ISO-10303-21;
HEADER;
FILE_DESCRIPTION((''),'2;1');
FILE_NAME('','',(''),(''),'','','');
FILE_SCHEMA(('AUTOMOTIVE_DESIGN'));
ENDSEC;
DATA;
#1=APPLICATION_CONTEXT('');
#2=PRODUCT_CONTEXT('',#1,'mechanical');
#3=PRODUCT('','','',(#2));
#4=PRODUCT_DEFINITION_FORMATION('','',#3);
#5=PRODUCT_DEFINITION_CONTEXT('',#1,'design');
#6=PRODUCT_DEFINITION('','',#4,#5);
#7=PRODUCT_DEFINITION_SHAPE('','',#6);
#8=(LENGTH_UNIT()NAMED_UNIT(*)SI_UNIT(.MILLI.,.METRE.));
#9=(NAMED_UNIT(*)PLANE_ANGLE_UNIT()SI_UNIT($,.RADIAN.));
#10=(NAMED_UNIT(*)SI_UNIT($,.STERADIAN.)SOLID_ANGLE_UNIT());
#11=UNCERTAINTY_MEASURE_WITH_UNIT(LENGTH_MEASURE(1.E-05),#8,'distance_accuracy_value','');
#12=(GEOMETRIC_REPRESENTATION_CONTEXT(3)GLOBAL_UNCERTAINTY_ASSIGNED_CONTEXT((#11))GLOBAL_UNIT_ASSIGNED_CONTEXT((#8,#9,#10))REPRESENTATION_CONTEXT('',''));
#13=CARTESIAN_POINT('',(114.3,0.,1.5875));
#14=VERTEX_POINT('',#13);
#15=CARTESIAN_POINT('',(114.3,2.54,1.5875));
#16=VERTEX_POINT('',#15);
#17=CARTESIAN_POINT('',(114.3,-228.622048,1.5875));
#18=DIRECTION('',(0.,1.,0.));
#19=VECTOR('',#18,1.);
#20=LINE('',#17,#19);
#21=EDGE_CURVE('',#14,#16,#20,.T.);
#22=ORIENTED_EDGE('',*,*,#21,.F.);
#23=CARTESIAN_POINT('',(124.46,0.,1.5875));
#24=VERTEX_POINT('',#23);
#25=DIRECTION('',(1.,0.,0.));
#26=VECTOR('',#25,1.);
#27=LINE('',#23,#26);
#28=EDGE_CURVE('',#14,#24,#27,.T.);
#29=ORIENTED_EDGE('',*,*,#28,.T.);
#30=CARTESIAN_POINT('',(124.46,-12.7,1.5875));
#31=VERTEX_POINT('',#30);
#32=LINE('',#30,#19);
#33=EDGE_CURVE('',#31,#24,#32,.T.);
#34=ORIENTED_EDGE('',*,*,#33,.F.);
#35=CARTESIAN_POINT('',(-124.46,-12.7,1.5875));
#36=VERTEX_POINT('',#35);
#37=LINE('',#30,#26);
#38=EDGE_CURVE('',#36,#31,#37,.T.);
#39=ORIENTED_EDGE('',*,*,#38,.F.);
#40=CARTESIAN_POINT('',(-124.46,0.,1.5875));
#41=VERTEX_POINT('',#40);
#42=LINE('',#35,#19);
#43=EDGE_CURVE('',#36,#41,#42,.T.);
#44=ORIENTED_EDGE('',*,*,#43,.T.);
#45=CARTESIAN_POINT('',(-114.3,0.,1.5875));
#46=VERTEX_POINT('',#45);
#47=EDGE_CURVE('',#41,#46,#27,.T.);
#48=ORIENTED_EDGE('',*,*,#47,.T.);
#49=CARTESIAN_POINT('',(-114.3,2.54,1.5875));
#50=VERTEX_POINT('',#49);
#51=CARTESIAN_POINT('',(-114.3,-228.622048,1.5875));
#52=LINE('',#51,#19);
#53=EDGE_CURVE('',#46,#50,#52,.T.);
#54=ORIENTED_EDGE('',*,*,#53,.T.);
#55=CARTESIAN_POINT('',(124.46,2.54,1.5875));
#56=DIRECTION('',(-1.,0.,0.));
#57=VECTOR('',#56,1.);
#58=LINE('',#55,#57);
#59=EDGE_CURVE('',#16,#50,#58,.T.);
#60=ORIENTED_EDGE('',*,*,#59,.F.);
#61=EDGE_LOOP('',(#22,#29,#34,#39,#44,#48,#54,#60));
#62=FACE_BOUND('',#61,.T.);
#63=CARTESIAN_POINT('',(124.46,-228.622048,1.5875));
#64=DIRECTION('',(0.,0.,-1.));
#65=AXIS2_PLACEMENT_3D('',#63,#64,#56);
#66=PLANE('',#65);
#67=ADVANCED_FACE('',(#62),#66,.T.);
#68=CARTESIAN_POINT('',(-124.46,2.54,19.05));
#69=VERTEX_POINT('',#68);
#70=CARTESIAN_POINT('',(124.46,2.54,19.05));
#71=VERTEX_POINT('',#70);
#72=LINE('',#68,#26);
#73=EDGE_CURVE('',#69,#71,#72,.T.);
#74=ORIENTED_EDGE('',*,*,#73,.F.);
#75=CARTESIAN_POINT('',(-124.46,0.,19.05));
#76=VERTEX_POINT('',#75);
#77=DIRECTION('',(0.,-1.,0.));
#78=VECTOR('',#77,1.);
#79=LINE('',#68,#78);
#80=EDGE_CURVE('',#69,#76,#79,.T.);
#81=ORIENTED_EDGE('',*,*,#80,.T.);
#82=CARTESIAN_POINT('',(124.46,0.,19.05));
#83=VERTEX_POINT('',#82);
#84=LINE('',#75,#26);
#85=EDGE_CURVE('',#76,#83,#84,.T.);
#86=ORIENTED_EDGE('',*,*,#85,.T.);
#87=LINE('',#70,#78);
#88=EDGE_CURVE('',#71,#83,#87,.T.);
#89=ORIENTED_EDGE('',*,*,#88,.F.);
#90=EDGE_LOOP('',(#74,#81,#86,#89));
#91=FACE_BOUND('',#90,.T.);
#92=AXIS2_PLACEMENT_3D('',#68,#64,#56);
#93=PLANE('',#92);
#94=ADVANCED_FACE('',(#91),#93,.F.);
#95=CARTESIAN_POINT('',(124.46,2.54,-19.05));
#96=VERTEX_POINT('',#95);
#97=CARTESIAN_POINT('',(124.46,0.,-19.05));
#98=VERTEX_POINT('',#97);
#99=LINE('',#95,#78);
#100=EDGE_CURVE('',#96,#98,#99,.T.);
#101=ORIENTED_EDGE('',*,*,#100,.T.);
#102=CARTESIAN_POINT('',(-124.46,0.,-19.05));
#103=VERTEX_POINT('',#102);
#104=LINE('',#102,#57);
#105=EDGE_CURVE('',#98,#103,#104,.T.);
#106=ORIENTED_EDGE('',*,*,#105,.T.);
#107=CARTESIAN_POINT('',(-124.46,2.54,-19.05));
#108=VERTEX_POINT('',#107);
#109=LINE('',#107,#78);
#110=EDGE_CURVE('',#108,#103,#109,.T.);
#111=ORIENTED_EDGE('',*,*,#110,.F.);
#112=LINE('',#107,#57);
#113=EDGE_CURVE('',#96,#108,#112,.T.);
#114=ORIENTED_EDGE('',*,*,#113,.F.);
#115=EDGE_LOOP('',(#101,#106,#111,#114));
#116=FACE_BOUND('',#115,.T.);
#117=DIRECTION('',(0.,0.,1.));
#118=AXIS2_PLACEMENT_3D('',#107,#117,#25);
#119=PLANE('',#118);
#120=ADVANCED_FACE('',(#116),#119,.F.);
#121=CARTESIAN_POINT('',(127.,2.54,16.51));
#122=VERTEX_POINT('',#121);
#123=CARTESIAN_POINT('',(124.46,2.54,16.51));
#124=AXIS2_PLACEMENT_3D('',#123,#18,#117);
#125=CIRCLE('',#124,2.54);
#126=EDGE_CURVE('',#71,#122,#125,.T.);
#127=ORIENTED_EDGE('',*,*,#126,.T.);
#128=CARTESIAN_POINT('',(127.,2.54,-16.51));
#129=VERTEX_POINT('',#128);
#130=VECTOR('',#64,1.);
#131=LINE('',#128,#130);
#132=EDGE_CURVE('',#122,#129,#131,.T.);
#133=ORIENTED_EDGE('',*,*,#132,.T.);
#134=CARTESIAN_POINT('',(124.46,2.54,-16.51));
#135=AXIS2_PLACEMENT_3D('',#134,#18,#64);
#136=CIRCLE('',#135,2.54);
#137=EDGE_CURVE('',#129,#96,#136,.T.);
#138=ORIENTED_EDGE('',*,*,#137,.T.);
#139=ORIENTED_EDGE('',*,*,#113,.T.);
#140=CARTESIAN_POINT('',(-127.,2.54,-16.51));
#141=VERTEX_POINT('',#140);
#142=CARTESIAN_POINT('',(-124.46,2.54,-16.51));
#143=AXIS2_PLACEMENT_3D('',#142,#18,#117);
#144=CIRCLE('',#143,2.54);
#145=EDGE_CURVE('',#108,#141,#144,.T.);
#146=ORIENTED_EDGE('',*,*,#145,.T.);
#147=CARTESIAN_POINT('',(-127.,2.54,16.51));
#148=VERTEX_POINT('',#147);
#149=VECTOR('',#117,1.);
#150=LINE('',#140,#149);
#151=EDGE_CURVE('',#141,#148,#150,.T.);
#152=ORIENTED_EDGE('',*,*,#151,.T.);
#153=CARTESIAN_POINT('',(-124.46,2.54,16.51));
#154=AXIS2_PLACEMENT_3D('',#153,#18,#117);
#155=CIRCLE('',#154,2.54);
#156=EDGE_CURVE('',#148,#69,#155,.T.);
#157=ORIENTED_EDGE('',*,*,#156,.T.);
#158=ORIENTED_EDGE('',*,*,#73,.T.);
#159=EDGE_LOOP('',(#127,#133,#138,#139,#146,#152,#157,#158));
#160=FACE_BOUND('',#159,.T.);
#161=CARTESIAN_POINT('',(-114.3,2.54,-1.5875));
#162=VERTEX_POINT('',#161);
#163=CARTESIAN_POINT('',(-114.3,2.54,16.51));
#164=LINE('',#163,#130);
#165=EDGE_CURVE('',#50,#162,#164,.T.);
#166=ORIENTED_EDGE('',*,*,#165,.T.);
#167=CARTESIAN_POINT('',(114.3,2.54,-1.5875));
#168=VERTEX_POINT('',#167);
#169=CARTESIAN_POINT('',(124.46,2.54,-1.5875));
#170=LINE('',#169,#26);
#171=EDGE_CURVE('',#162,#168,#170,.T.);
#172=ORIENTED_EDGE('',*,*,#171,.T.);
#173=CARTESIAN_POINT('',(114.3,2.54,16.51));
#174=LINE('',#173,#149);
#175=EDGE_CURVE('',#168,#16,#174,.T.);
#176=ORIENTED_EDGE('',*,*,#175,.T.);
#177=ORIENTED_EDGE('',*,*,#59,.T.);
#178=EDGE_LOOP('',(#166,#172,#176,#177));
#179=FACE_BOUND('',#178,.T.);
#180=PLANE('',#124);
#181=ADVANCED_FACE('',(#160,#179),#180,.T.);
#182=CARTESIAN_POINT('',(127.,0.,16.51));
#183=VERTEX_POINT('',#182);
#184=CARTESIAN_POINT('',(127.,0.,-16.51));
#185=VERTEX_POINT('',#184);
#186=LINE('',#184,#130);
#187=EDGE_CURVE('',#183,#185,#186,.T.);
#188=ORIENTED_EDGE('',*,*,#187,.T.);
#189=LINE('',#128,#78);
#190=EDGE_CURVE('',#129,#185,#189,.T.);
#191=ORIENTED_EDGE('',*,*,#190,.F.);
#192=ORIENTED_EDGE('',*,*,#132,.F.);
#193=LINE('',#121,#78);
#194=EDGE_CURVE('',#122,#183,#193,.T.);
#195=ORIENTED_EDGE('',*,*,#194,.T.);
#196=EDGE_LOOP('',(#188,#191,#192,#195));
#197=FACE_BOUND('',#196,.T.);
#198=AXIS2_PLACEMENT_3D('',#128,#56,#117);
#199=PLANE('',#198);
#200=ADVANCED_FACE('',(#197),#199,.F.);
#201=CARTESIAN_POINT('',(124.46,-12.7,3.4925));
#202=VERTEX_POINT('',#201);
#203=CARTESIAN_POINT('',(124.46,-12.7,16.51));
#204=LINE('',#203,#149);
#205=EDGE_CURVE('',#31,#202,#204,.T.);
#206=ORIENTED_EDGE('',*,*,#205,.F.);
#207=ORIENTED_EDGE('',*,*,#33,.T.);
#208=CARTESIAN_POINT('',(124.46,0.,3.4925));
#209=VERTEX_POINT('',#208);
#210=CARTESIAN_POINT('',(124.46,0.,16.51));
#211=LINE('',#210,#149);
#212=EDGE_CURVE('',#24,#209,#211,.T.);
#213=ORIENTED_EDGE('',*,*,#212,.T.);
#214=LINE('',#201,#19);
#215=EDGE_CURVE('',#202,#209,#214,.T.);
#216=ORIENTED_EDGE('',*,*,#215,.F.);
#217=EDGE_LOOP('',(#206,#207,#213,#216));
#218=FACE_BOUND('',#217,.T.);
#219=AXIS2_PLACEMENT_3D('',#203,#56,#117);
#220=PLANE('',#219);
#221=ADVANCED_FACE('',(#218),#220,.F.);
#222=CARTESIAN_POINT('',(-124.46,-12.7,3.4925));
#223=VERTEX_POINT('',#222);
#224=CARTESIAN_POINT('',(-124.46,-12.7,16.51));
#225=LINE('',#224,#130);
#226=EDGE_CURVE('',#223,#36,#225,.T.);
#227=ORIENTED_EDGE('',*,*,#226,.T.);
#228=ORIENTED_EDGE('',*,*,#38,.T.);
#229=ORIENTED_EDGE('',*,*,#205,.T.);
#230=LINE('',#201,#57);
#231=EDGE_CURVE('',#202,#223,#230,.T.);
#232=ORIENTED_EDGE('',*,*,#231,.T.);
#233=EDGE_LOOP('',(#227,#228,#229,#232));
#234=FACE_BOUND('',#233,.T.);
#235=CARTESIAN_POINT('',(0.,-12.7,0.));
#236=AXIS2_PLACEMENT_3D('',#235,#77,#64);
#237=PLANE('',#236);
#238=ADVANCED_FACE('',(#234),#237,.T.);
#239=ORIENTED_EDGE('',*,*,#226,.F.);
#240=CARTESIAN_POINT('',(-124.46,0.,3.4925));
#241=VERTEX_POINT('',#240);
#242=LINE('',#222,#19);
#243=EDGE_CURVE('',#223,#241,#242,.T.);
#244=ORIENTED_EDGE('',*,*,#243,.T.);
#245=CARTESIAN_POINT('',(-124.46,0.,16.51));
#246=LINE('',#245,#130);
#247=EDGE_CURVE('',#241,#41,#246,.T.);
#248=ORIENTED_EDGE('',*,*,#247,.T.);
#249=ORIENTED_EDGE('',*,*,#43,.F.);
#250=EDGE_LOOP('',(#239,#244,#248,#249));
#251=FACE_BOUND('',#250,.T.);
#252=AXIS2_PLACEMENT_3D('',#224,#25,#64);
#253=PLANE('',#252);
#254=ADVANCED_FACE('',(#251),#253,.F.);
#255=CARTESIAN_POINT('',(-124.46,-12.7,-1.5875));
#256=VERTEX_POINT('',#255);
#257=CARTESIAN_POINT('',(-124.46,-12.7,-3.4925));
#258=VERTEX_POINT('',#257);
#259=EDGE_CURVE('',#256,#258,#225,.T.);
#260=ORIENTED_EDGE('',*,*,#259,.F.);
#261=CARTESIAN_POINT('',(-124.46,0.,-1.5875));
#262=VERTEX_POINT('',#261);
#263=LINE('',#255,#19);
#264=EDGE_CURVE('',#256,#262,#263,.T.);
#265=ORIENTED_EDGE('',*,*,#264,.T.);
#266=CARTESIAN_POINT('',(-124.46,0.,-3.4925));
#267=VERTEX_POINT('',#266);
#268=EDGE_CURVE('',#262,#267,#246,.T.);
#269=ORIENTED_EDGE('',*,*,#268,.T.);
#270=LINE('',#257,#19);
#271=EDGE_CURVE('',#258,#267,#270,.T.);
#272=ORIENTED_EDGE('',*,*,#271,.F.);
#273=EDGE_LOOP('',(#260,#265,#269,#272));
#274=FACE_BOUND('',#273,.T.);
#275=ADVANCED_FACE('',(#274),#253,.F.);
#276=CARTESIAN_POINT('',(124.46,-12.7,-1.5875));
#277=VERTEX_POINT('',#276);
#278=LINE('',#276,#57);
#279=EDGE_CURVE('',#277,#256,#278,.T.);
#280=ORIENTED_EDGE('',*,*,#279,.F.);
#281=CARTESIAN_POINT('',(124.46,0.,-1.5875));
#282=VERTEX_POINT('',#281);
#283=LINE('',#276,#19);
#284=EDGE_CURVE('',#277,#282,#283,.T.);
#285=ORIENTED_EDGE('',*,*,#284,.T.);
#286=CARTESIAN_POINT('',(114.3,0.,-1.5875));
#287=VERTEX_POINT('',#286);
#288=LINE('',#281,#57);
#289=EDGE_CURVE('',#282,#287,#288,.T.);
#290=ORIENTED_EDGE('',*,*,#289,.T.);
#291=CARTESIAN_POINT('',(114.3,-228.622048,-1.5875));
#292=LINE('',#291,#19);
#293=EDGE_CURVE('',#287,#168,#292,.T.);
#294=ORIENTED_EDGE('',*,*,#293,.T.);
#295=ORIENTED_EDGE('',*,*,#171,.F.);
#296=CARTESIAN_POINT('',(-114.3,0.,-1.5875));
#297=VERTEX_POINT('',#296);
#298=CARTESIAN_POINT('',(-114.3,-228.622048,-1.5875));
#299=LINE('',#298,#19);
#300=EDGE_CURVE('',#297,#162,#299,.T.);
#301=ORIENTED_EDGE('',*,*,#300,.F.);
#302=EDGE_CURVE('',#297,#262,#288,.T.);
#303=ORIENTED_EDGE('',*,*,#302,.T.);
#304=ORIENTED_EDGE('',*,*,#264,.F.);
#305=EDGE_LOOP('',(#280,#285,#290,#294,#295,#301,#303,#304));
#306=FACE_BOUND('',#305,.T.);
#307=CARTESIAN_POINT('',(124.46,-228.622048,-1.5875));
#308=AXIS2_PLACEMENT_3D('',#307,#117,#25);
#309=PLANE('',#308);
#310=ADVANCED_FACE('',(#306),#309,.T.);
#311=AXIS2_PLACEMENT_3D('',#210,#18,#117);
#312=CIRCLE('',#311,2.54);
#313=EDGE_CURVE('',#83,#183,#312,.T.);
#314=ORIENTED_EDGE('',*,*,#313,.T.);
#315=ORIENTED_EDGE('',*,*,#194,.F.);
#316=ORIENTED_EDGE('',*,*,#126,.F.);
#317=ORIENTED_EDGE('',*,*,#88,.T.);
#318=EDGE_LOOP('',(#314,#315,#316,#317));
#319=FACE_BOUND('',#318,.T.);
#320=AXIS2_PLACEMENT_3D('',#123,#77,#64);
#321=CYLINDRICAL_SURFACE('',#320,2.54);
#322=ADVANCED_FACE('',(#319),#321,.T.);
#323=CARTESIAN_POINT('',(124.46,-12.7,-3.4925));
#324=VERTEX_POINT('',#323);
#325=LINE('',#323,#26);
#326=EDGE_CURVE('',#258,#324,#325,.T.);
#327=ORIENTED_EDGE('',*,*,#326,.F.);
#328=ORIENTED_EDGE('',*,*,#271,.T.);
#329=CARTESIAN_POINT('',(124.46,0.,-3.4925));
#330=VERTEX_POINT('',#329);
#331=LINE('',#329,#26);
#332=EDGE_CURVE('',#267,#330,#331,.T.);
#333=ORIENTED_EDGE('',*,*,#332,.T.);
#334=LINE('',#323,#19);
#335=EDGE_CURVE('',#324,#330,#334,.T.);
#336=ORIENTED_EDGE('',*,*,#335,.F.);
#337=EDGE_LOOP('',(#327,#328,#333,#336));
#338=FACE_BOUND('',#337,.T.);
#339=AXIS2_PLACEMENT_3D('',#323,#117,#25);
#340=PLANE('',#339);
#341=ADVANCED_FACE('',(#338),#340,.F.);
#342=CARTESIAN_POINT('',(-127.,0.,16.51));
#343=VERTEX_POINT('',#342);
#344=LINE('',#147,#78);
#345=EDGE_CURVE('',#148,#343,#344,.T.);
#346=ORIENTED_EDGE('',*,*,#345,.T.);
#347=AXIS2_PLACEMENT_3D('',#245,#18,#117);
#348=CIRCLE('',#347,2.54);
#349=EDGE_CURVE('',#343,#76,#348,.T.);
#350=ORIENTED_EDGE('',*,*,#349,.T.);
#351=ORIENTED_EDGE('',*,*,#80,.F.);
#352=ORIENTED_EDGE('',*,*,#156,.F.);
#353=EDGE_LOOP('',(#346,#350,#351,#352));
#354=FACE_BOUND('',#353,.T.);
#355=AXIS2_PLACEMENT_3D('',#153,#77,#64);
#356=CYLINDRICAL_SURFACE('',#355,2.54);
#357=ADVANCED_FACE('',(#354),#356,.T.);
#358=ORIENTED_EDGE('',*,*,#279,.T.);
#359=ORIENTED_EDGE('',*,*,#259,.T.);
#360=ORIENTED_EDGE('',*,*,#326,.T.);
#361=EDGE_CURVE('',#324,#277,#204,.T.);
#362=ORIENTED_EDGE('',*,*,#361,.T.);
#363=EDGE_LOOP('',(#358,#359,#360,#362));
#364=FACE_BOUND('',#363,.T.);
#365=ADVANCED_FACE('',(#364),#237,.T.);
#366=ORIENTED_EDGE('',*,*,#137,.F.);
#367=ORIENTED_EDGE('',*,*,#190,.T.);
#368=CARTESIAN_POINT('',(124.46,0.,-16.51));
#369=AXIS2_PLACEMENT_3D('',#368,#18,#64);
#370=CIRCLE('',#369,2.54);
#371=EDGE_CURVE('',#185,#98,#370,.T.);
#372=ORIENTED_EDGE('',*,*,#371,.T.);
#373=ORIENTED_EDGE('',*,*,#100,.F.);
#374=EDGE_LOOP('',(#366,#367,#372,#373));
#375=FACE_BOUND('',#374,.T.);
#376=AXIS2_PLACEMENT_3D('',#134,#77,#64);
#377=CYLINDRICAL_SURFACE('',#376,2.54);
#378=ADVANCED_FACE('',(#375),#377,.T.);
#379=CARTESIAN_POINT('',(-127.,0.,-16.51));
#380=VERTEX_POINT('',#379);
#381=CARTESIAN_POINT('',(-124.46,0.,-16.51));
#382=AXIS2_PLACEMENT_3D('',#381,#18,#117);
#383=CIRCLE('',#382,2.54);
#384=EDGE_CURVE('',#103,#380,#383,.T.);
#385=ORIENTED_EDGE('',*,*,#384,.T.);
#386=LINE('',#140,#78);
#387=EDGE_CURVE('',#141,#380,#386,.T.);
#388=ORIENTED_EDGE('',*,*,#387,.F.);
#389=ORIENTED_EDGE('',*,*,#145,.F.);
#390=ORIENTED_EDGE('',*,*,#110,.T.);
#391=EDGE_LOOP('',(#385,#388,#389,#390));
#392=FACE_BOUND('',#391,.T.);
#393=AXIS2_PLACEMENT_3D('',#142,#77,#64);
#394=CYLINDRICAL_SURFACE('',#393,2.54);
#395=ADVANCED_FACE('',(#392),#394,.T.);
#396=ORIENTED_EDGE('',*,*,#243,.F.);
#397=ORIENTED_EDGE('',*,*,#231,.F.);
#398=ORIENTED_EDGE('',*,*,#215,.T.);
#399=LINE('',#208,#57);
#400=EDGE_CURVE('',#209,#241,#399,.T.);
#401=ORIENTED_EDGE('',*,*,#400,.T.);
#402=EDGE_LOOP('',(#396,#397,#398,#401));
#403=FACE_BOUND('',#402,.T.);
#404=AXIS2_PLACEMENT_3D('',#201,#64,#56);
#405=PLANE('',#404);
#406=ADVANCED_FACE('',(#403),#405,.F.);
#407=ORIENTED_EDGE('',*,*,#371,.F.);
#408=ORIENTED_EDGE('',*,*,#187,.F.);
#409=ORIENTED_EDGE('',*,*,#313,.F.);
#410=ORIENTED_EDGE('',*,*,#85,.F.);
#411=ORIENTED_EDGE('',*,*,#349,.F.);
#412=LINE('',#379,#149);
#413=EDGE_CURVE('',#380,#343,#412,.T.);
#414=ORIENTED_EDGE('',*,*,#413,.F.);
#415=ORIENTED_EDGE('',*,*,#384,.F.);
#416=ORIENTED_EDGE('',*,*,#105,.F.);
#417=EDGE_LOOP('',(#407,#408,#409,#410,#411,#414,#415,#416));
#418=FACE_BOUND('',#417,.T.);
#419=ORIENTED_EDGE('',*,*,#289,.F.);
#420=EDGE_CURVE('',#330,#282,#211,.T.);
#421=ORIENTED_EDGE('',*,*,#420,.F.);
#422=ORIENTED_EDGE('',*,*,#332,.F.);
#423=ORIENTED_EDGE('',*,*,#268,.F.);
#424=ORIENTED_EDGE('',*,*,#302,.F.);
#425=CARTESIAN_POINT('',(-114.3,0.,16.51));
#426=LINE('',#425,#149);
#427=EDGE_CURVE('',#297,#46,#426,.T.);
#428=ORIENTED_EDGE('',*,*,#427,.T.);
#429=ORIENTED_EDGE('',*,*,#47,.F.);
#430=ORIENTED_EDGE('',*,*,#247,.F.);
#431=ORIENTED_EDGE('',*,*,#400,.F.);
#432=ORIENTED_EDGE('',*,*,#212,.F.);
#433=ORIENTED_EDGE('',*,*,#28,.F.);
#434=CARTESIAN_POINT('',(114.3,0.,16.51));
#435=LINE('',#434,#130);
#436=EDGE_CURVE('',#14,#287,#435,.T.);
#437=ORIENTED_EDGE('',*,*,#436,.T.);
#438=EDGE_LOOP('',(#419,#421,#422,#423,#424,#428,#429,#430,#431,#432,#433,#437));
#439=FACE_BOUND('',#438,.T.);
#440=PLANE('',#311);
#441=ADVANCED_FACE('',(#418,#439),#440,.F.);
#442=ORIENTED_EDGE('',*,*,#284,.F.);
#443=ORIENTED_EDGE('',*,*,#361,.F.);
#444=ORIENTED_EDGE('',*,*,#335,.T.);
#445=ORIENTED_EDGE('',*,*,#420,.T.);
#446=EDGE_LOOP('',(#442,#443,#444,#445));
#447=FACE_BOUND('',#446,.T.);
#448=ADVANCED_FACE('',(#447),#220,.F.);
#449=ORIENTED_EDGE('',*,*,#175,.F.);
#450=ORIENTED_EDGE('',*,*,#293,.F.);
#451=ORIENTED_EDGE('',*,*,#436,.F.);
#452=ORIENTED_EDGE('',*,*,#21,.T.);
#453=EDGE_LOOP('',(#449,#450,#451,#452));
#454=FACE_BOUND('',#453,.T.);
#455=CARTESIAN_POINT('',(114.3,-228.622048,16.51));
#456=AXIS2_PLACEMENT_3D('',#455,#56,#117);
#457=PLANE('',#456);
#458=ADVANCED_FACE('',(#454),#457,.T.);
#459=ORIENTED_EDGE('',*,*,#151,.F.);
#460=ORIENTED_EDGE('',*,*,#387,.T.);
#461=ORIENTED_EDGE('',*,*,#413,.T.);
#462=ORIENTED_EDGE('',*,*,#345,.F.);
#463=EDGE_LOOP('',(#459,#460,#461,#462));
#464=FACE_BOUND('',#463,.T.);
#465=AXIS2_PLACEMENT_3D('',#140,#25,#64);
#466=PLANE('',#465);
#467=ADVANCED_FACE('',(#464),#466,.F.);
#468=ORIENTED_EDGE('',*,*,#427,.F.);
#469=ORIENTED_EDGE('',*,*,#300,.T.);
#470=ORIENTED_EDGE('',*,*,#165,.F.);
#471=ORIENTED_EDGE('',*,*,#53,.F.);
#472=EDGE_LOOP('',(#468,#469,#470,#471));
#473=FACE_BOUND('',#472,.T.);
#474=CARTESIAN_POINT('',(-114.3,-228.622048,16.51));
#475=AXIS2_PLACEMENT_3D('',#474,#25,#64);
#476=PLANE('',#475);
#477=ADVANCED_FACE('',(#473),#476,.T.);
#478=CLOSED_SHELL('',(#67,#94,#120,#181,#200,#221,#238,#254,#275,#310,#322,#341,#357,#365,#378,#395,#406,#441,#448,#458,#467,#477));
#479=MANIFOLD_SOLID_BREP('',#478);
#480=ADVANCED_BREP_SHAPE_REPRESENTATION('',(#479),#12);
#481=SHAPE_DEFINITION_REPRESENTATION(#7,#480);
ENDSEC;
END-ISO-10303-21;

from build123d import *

# Parameters (mm, degrees)
BOSS_EXTRUDE1_DEPTH = 2.54
CUT_EXTRUDE1_START  = 2.54
SKETCH5_W           = 228.6
SKETCH5_H           = 3.175
CUT_EXTRUDE1_DEPTH  = 2.54
SKETCH6_W           = 248.92
SKETCH6_H           = 1.905
BOSS_EXTRUDE3_DEPTH = 12.7


with BuildPart() as part:
    # Sketch3 → Boss-Extrude1 (new body)
    with BuildSketch(Plane(origin=(0, 0, 0), x_dir=(1, 0, 0), z_dir=(0, 1, 0))):
        with BuildLine():
            Line((-124.46, 19.05), (124.46, 19.05))
            ThreePointArc((124.46, 19.05), (126.256051224, 18.306051224), (127, 16.51))
            Line((127, 16.51), (127, -16.51))
            ThreePointArc((127, -16.51), (126.256051224, -18.306051224), (124.46, -19.05))
            Line((124.46, -19.05), (-124.46, -19.05))
            ThreePointArc((-124.46, -19.05), (-126.256051224, -18.306051224), (-127, -16.51))
            Line((-127, -16.51), (-127, 16.51))
            ThreePointArc((-127, 16.51), (-126.256051224, 18.306051224), (-124.46, 19.05))
        make_face()
    extrude(amount=BOSS_EXTRUDE1_DEPTH)

    # Sketch5 → Cut-Extrude1 (cut)
    with BuildSketch(Plane(origin=(0, 0, 0), x_dir=(1, 0, 0), z_dir=(0, 1, 0)).offset(CUT_EXTRUDE1_START)):
        Rectangle(SKETCH5_W, SKETCH5_H)
    extrude(amount=-CUT_EXTRUDE1_DEPTH, mode=Mode.SUBTRACT)

    # Sketch6 → Boss-Extrude3 (add)
    with BuildSketch(Plane.XZ):
        with Locations((0, -2.54)):
            Rectangle(SKETCH6_W, SKETCH6_H)
        with Locations((0, 2.54)):
            Rectangle(SKETCH6_W, SKETCH6_H)
    extrude(amount=BOSS_EXTRUDE3_DEPTH)


solid = part.part
